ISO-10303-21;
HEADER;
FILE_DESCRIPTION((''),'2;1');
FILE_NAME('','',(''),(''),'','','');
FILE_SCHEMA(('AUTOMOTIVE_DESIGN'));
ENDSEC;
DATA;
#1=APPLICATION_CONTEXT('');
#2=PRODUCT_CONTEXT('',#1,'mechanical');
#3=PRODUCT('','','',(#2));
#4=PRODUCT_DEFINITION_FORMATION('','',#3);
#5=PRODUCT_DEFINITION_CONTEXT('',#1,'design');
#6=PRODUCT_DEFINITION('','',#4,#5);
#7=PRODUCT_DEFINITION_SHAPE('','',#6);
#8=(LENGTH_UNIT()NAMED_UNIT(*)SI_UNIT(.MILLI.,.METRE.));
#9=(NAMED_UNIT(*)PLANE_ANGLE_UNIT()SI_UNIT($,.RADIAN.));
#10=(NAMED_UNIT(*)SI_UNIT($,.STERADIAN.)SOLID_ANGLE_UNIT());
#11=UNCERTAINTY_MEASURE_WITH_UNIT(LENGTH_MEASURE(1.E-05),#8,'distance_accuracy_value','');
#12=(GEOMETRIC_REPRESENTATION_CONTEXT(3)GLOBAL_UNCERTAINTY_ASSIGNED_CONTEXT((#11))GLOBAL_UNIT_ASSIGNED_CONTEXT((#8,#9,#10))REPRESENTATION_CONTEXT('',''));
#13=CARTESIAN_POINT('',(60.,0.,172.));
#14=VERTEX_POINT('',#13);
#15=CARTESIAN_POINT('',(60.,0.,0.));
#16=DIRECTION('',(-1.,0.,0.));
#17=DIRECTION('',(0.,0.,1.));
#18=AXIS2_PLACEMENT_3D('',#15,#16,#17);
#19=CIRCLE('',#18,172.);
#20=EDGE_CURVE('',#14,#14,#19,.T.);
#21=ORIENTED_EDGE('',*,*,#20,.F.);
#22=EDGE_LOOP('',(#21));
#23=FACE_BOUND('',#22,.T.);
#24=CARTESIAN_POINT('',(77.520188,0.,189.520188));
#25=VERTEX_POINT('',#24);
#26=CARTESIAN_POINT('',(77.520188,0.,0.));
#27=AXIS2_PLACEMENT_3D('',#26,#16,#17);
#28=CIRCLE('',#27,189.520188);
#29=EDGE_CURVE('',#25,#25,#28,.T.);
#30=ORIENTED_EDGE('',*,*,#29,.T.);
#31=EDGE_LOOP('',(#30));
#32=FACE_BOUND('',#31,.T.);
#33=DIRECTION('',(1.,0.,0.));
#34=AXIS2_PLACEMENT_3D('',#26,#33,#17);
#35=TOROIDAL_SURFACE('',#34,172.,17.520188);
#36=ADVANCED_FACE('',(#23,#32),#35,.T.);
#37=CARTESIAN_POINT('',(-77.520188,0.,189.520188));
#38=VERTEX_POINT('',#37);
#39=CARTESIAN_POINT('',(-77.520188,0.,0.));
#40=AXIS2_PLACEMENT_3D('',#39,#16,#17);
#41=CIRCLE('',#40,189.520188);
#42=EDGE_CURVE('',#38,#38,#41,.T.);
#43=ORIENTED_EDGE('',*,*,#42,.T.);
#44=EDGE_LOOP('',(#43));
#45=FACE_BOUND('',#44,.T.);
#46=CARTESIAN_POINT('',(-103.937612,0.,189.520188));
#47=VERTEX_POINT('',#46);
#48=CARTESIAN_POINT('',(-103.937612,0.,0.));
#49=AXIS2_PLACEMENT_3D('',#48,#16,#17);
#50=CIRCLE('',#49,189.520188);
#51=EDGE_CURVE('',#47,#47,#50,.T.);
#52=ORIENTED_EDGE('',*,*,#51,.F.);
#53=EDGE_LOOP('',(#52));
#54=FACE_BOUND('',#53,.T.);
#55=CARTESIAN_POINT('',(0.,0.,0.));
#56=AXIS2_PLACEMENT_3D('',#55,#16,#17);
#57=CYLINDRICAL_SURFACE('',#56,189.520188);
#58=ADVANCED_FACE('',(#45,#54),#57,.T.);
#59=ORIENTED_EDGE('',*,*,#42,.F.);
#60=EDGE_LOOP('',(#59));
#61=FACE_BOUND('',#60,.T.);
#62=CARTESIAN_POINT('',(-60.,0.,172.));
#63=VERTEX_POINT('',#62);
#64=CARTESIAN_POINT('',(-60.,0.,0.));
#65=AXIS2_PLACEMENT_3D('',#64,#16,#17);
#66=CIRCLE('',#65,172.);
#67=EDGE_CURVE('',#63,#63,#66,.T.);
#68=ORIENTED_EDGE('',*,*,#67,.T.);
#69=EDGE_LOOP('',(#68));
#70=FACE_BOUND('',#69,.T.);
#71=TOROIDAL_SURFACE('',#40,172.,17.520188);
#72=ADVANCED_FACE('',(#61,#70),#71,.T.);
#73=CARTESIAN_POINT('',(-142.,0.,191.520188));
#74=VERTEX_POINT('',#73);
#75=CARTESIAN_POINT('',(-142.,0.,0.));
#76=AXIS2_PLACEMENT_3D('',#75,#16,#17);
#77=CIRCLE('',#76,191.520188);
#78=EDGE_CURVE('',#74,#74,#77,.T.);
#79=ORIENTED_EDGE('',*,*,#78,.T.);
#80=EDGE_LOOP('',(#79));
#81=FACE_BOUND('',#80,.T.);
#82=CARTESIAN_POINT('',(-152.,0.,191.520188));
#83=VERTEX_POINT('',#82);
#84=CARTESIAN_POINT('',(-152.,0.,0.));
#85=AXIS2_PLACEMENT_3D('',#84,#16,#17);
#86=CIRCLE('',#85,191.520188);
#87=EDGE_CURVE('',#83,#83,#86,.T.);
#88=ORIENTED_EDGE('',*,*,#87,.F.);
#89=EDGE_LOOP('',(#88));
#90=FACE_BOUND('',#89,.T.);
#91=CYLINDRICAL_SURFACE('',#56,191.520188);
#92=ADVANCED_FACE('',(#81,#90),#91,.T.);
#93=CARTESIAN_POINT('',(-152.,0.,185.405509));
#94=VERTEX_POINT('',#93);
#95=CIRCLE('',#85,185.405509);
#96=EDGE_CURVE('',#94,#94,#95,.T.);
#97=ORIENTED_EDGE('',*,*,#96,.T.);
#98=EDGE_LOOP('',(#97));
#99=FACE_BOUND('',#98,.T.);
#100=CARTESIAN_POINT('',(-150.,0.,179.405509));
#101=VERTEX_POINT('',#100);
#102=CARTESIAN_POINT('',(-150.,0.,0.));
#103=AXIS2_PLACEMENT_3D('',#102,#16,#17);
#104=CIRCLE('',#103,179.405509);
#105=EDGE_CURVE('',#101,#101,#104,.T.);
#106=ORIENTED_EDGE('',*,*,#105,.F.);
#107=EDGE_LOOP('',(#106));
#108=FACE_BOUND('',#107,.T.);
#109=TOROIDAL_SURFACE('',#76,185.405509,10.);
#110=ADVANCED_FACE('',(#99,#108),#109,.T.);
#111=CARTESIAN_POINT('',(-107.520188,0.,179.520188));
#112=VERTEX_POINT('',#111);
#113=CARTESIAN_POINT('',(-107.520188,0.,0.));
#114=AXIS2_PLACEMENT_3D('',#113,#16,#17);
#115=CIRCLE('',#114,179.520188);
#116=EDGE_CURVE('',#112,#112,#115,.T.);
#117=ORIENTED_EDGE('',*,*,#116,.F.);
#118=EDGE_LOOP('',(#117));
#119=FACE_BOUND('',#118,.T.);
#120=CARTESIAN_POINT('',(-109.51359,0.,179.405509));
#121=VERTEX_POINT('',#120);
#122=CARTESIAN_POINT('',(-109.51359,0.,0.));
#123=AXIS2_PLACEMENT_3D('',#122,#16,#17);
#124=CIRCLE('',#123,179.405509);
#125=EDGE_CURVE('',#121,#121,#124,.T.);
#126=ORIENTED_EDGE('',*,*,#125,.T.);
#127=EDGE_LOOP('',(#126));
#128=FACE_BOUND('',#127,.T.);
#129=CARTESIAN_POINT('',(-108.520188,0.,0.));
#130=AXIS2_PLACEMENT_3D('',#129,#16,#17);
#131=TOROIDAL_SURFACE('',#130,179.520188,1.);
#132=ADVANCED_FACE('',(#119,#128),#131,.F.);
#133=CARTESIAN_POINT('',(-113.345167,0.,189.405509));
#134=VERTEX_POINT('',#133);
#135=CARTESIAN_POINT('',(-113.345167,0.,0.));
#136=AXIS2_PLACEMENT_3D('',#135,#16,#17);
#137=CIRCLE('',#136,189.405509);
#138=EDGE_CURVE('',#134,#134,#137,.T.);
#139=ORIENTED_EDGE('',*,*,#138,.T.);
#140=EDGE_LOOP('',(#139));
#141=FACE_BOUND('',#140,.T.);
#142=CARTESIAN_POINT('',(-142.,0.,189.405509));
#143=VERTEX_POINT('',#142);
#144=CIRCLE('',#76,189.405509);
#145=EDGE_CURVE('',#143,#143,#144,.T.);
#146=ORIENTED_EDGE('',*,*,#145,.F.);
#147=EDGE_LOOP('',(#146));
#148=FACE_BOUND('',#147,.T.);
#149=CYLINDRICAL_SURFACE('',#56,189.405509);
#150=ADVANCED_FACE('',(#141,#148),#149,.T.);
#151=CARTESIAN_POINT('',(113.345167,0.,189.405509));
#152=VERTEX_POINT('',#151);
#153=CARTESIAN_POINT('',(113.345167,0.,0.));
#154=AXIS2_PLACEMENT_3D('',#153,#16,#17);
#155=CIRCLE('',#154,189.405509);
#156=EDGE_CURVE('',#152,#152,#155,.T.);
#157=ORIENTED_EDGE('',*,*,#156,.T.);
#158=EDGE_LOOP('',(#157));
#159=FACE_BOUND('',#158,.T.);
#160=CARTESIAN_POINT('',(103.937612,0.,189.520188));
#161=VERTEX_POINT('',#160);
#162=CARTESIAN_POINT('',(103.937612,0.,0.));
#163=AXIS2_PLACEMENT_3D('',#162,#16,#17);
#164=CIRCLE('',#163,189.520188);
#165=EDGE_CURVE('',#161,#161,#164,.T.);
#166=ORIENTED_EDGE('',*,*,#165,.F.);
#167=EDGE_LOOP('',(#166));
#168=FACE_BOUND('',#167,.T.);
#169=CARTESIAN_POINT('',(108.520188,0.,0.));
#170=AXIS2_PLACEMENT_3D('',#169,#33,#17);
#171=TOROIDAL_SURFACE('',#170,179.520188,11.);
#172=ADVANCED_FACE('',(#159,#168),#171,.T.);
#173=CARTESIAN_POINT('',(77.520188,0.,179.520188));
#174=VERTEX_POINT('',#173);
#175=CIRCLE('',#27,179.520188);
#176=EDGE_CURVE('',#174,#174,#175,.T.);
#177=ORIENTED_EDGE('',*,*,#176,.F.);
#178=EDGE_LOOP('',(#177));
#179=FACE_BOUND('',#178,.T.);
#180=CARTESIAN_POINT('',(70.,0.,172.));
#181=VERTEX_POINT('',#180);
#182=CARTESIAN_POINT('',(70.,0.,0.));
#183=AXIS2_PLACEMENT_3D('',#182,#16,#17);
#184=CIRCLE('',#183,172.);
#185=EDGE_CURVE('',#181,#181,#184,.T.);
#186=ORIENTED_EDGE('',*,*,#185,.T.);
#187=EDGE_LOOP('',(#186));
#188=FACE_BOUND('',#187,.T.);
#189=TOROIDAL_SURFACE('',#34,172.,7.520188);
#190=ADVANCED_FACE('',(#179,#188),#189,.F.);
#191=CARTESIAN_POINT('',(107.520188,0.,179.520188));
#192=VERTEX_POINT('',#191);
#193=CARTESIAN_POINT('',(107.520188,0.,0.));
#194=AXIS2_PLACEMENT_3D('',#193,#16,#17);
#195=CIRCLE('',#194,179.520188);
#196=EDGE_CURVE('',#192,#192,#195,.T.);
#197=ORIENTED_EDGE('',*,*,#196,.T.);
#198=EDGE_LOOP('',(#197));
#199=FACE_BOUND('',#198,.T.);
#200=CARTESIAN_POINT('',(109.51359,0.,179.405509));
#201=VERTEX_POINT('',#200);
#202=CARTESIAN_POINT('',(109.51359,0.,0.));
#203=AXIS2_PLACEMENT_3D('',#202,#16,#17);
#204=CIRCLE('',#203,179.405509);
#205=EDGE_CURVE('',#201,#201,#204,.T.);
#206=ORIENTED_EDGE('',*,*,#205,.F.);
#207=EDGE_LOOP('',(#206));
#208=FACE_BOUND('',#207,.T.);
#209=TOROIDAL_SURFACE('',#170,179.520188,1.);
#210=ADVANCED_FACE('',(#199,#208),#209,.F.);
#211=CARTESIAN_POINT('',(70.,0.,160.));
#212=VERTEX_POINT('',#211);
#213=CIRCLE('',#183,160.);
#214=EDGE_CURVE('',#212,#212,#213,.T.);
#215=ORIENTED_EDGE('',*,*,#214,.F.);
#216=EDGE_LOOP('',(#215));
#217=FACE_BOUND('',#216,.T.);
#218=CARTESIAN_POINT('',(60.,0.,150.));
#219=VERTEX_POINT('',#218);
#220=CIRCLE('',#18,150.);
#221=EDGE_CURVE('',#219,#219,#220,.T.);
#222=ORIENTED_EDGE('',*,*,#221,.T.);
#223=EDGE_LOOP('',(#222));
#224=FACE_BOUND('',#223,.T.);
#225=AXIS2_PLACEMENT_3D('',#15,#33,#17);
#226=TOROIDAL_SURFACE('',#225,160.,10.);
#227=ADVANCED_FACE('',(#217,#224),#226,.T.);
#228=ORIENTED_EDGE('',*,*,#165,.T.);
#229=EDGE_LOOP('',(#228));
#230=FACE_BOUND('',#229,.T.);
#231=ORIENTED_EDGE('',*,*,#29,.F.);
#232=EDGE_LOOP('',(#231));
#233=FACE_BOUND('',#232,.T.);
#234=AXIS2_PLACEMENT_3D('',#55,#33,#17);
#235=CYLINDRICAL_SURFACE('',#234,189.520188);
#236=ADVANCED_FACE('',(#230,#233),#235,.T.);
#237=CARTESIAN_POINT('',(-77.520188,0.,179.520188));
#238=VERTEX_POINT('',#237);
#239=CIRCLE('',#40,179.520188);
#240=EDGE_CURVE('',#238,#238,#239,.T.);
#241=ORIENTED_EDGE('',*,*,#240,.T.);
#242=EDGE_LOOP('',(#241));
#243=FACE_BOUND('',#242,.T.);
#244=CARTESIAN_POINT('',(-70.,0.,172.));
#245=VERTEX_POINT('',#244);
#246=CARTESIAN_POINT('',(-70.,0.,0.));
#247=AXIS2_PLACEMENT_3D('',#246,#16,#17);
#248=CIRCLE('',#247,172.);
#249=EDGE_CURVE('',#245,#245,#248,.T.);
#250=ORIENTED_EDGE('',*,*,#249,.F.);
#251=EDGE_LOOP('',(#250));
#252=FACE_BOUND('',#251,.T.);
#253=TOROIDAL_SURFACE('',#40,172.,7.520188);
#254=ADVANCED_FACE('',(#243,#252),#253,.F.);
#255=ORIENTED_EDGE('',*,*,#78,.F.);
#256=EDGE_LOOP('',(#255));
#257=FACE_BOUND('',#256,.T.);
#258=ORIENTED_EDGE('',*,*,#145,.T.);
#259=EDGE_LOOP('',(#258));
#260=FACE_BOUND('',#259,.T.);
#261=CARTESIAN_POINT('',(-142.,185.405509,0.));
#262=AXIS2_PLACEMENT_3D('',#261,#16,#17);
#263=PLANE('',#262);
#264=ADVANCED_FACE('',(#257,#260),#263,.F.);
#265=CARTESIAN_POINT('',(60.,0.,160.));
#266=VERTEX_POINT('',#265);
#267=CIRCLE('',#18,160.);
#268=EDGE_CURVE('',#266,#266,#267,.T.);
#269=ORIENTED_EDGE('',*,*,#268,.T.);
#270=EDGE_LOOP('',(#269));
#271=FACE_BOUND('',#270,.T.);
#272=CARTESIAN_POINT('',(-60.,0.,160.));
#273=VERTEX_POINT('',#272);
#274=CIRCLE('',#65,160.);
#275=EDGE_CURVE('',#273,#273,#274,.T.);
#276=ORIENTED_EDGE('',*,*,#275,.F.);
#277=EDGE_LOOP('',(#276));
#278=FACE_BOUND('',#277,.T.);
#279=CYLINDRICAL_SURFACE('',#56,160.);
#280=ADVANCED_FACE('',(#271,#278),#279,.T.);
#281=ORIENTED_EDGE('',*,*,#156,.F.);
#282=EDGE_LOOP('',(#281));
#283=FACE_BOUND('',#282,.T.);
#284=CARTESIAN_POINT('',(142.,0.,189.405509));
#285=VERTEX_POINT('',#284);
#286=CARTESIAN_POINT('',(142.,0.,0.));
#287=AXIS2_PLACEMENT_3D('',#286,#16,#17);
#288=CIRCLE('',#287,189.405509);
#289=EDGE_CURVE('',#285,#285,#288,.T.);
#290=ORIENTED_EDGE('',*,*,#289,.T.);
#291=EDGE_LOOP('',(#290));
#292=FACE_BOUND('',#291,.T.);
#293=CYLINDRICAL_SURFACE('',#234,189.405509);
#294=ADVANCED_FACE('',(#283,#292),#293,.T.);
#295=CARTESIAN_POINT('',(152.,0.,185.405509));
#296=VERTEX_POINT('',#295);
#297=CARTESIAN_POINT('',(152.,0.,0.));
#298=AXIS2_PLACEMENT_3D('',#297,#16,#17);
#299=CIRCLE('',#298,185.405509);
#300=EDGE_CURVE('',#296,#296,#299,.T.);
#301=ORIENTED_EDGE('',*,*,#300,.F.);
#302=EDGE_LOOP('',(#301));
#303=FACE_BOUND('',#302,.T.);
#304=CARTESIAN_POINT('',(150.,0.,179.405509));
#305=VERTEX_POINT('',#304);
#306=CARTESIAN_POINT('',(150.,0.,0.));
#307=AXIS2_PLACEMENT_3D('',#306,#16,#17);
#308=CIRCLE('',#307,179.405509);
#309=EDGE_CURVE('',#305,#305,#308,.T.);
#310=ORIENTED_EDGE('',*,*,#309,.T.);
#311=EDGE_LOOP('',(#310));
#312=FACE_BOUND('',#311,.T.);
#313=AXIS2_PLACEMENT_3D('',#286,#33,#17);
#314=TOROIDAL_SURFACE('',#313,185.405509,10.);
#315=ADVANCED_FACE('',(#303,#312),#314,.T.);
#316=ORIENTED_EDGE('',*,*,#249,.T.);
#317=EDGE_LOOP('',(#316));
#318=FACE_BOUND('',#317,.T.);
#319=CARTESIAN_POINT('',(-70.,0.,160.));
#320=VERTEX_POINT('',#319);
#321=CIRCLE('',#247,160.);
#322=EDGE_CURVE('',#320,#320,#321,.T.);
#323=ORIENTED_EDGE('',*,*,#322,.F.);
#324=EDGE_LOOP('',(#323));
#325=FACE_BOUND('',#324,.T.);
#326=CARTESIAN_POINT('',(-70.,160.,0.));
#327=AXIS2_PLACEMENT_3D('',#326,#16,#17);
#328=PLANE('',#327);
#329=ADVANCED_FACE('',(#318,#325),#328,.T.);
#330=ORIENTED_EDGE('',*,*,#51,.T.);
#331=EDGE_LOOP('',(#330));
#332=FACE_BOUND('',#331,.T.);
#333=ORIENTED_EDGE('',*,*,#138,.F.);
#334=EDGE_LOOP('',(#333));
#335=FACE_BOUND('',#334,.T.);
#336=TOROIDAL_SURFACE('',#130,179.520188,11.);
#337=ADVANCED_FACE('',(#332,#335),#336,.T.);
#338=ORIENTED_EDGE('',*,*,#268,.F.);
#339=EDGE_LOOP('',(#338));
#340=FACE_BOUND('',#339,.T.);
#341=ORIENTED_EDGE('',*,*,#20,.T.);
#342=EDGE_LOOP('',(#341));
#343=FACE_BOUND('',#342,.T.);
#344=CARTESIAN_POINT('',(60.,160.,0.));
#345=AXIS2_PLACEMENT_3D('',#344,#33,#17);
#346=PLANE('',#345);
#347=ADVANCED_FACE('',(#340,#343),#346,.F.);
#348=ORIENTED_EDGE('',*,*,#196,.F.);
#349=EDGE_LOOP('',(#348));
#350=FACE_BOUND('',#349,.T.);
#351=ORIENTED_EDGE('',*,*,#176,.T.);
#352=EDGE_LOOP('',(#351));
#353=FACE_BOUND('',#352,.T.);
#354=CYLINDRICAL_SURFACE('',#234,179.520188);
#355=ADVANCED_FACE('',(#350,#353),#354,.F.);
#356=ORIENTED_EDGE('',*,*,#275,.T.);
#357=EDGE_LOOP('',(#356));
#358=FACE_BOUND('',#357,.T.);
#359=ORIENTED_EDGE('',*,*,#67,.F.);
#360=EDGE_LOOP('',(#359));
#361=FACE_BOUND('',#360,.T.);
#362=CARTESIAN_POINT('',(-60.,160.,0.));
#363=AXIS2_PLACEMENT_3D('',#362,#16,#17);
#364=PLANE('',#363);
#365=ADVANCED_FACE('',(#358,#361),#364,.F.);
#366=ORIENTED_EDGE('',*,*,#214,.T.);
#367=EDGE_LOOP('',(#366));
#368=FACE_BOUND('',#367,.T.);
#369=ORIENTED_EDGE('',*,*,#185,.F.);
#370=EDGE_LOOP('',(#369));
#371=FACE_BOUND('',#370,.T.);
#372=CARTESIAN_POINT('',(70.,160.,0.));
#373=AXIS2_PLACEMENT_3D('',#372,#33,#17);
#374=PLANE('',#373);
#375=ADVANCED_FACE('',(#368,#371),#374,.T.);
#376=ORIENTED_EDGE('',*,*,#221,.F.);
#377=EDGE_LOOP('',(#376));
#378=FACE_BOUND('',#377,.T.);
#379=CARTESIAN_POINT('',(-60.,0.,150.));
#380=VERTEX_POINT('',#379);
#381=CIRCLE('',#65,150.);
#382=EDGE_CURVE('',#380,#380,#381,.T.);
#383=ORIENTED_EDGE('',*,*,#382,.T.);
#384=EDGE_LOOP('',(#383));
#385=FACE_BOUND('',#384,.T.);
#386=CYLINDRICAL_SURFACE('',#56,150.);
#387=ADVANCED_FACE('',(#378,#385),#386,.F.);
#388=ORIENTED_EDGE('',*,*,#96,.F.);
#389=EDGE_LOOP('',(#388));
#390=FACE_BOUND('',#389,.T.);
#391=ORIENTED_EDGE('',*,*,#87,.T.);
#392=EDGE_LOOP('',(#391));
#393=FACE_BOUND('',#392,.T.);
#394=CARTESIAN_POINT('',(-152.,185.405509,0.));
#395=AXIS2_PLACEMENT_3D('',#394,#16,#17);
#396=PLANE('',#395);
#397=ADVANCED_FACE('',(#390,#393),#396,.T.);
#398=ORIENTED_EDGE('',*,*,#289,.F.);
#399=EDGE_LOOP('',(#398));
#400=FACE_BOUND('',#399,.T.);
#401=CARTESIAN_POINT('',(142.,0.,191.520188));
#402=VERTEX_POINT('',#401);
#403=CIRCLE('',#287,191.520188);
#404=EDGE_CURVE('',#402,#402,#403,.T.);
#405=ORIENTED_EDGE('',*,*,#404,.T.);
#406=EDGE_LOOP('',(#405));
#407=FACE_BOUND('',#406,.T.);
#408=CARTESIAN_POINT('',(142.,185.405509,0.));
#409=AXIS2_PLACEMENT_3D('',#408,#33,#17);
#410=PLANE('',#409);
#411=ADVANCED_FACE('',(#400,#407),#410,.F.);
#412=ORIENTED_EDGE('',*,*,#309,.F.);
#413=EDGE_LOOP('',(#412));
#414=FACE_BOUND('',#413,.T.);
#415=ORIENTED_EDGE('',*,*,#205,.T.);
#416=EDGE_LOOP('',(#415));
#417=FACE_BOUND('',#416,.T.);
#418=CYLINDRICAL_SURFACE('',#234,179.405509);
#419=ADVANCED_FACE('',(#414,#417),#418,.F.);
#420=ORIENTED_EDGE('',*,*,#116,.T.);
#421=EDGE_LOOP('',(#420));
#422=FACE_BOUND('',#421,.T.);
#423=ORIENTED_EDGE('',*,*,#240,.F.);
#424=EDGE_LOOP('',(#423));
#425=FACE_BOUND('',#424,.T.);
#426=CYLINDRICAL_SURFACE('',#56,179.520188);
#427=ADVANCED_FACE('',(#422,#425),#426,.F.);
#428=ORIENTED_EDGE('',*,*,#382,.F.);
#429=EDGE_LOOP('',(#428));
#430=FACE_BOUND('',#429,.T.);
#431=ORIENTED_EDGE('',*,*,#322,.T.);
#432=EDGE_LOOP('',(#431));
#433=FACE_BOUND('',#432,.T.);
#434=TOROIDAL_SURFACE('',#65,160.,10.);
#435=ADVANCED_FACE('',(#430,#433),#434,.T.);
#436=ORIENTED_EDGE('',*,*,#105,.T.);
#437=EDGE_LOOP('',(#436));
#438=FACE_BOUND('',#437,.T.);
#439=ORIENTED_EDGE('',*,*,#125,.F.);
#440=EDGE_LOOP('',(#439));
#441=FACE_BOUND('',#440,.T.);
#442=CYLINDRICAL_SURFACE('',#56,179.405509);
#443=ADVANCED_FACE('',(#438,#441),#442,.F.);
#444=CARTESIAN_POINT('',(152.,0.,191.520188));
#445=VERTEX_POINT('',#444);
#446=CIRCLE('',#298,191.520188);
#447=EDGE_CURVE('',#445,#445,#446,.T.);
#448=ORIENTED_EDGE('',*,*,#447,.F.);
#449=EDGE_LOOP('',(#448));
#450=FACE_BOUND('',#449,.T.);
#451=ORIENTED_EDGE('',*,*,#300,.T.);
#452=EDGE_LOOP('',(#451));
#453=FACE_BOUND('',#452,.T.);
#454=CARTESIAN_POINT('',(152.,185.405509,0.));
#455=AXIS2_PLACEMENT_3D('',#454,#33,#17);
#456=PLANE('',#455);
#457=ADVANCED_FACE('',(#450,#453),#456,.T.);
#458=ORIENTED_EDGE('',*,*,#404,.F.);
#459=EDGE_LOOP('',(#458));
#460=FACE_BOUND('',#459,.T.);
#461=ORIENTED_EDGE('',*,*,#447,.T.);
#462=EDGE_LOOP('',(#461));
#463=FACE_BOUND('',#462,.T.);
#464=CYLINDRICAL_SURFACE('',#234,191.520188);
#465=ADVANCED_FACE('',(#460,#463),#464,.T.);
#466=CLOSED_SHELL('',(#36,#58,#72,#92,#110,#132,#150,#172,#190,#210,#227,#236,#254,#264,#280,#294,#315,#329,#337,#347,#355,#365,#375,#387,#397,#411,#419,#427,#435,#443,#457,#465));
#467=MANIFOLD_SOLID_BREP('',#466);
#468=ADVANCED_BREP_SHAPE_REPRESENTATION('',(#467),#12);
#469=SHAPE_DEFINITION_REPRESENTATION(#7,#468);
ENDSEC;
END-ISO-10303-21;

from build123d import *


with BuildPart() as part:
    # Szkic1 → Obrót-cienka ścianka1 (revolve)
    with BuildSketch(Plane.XY, mode=Mode.PRIVATE) as obr_t_cienka_cianka1_sk:
        with BuildLine():
            Line((0, 150), (-60, 150))
            ThreePointArc((-60, 150), (-67.071067812, 152.928932188), (-70, 160))
            Line((-70, 160), (-70, 172))
            ThreePointArc((-70, 172), (-72.202612014, 177.317575796), (-77.52018781, 179.52018781))
            Line((-77.52018781, 179.52018781), (-107.52018781, 179.52018781))
            ThreePointArc((-107.52018781, 179.52018781), (-108.577621971, 180.518537106), (-109.513590444, 179.405509102))
            Line((-109.513590444, 179.405509102), (-150, 179.405509102))
            ThreePointArc((-150, 179.405509102), (-151.486832981, 182.243231441), (-152, 185.405509102))
            Line((-152, 185.405509102), (-152, 191.52018781))
            Line((-152, 191.52018781), (-142, 191.52018781))
            Line((-142, 191.52018781), (-142, 189.405509102))
            Line((-142, 189.405509102), (-113.345166873, 189.405509102))
            ThreePointArc((-113.345166873, 189.405509102), (-108.654268568, 190.519370614), (-103.937612115, 189.52018781))
            Line((-103.937612115, 189.52018781), (-77.52018781, 189.52018781))
            ThreePointArc((-77.52018781, 189.52018781), (-65.131544202, 184.388643608), (-60, 172))
            Line((-60, 172), (-60, 160))
            Line((-60, 160), (0, 160))
            Line((0, 160), (0, 150))
        make_face()
    revolve(obr_t_cienka_cianka1_sk.sketch.rotate(Axis((0, 0, 0), (1, 0, 0)), 90), axis=Axis((0, 0, 0), (1, 0, 0)))

    # Lustro4: part across plane


with BuildPart() as part_1:
    add(part.part)
    add(part.part.mirror(Plane(origin=(0, 160, 0), x_dir=(0, 0, 1), z_dir=(1, 0, 0))))


solid = part_1.part
